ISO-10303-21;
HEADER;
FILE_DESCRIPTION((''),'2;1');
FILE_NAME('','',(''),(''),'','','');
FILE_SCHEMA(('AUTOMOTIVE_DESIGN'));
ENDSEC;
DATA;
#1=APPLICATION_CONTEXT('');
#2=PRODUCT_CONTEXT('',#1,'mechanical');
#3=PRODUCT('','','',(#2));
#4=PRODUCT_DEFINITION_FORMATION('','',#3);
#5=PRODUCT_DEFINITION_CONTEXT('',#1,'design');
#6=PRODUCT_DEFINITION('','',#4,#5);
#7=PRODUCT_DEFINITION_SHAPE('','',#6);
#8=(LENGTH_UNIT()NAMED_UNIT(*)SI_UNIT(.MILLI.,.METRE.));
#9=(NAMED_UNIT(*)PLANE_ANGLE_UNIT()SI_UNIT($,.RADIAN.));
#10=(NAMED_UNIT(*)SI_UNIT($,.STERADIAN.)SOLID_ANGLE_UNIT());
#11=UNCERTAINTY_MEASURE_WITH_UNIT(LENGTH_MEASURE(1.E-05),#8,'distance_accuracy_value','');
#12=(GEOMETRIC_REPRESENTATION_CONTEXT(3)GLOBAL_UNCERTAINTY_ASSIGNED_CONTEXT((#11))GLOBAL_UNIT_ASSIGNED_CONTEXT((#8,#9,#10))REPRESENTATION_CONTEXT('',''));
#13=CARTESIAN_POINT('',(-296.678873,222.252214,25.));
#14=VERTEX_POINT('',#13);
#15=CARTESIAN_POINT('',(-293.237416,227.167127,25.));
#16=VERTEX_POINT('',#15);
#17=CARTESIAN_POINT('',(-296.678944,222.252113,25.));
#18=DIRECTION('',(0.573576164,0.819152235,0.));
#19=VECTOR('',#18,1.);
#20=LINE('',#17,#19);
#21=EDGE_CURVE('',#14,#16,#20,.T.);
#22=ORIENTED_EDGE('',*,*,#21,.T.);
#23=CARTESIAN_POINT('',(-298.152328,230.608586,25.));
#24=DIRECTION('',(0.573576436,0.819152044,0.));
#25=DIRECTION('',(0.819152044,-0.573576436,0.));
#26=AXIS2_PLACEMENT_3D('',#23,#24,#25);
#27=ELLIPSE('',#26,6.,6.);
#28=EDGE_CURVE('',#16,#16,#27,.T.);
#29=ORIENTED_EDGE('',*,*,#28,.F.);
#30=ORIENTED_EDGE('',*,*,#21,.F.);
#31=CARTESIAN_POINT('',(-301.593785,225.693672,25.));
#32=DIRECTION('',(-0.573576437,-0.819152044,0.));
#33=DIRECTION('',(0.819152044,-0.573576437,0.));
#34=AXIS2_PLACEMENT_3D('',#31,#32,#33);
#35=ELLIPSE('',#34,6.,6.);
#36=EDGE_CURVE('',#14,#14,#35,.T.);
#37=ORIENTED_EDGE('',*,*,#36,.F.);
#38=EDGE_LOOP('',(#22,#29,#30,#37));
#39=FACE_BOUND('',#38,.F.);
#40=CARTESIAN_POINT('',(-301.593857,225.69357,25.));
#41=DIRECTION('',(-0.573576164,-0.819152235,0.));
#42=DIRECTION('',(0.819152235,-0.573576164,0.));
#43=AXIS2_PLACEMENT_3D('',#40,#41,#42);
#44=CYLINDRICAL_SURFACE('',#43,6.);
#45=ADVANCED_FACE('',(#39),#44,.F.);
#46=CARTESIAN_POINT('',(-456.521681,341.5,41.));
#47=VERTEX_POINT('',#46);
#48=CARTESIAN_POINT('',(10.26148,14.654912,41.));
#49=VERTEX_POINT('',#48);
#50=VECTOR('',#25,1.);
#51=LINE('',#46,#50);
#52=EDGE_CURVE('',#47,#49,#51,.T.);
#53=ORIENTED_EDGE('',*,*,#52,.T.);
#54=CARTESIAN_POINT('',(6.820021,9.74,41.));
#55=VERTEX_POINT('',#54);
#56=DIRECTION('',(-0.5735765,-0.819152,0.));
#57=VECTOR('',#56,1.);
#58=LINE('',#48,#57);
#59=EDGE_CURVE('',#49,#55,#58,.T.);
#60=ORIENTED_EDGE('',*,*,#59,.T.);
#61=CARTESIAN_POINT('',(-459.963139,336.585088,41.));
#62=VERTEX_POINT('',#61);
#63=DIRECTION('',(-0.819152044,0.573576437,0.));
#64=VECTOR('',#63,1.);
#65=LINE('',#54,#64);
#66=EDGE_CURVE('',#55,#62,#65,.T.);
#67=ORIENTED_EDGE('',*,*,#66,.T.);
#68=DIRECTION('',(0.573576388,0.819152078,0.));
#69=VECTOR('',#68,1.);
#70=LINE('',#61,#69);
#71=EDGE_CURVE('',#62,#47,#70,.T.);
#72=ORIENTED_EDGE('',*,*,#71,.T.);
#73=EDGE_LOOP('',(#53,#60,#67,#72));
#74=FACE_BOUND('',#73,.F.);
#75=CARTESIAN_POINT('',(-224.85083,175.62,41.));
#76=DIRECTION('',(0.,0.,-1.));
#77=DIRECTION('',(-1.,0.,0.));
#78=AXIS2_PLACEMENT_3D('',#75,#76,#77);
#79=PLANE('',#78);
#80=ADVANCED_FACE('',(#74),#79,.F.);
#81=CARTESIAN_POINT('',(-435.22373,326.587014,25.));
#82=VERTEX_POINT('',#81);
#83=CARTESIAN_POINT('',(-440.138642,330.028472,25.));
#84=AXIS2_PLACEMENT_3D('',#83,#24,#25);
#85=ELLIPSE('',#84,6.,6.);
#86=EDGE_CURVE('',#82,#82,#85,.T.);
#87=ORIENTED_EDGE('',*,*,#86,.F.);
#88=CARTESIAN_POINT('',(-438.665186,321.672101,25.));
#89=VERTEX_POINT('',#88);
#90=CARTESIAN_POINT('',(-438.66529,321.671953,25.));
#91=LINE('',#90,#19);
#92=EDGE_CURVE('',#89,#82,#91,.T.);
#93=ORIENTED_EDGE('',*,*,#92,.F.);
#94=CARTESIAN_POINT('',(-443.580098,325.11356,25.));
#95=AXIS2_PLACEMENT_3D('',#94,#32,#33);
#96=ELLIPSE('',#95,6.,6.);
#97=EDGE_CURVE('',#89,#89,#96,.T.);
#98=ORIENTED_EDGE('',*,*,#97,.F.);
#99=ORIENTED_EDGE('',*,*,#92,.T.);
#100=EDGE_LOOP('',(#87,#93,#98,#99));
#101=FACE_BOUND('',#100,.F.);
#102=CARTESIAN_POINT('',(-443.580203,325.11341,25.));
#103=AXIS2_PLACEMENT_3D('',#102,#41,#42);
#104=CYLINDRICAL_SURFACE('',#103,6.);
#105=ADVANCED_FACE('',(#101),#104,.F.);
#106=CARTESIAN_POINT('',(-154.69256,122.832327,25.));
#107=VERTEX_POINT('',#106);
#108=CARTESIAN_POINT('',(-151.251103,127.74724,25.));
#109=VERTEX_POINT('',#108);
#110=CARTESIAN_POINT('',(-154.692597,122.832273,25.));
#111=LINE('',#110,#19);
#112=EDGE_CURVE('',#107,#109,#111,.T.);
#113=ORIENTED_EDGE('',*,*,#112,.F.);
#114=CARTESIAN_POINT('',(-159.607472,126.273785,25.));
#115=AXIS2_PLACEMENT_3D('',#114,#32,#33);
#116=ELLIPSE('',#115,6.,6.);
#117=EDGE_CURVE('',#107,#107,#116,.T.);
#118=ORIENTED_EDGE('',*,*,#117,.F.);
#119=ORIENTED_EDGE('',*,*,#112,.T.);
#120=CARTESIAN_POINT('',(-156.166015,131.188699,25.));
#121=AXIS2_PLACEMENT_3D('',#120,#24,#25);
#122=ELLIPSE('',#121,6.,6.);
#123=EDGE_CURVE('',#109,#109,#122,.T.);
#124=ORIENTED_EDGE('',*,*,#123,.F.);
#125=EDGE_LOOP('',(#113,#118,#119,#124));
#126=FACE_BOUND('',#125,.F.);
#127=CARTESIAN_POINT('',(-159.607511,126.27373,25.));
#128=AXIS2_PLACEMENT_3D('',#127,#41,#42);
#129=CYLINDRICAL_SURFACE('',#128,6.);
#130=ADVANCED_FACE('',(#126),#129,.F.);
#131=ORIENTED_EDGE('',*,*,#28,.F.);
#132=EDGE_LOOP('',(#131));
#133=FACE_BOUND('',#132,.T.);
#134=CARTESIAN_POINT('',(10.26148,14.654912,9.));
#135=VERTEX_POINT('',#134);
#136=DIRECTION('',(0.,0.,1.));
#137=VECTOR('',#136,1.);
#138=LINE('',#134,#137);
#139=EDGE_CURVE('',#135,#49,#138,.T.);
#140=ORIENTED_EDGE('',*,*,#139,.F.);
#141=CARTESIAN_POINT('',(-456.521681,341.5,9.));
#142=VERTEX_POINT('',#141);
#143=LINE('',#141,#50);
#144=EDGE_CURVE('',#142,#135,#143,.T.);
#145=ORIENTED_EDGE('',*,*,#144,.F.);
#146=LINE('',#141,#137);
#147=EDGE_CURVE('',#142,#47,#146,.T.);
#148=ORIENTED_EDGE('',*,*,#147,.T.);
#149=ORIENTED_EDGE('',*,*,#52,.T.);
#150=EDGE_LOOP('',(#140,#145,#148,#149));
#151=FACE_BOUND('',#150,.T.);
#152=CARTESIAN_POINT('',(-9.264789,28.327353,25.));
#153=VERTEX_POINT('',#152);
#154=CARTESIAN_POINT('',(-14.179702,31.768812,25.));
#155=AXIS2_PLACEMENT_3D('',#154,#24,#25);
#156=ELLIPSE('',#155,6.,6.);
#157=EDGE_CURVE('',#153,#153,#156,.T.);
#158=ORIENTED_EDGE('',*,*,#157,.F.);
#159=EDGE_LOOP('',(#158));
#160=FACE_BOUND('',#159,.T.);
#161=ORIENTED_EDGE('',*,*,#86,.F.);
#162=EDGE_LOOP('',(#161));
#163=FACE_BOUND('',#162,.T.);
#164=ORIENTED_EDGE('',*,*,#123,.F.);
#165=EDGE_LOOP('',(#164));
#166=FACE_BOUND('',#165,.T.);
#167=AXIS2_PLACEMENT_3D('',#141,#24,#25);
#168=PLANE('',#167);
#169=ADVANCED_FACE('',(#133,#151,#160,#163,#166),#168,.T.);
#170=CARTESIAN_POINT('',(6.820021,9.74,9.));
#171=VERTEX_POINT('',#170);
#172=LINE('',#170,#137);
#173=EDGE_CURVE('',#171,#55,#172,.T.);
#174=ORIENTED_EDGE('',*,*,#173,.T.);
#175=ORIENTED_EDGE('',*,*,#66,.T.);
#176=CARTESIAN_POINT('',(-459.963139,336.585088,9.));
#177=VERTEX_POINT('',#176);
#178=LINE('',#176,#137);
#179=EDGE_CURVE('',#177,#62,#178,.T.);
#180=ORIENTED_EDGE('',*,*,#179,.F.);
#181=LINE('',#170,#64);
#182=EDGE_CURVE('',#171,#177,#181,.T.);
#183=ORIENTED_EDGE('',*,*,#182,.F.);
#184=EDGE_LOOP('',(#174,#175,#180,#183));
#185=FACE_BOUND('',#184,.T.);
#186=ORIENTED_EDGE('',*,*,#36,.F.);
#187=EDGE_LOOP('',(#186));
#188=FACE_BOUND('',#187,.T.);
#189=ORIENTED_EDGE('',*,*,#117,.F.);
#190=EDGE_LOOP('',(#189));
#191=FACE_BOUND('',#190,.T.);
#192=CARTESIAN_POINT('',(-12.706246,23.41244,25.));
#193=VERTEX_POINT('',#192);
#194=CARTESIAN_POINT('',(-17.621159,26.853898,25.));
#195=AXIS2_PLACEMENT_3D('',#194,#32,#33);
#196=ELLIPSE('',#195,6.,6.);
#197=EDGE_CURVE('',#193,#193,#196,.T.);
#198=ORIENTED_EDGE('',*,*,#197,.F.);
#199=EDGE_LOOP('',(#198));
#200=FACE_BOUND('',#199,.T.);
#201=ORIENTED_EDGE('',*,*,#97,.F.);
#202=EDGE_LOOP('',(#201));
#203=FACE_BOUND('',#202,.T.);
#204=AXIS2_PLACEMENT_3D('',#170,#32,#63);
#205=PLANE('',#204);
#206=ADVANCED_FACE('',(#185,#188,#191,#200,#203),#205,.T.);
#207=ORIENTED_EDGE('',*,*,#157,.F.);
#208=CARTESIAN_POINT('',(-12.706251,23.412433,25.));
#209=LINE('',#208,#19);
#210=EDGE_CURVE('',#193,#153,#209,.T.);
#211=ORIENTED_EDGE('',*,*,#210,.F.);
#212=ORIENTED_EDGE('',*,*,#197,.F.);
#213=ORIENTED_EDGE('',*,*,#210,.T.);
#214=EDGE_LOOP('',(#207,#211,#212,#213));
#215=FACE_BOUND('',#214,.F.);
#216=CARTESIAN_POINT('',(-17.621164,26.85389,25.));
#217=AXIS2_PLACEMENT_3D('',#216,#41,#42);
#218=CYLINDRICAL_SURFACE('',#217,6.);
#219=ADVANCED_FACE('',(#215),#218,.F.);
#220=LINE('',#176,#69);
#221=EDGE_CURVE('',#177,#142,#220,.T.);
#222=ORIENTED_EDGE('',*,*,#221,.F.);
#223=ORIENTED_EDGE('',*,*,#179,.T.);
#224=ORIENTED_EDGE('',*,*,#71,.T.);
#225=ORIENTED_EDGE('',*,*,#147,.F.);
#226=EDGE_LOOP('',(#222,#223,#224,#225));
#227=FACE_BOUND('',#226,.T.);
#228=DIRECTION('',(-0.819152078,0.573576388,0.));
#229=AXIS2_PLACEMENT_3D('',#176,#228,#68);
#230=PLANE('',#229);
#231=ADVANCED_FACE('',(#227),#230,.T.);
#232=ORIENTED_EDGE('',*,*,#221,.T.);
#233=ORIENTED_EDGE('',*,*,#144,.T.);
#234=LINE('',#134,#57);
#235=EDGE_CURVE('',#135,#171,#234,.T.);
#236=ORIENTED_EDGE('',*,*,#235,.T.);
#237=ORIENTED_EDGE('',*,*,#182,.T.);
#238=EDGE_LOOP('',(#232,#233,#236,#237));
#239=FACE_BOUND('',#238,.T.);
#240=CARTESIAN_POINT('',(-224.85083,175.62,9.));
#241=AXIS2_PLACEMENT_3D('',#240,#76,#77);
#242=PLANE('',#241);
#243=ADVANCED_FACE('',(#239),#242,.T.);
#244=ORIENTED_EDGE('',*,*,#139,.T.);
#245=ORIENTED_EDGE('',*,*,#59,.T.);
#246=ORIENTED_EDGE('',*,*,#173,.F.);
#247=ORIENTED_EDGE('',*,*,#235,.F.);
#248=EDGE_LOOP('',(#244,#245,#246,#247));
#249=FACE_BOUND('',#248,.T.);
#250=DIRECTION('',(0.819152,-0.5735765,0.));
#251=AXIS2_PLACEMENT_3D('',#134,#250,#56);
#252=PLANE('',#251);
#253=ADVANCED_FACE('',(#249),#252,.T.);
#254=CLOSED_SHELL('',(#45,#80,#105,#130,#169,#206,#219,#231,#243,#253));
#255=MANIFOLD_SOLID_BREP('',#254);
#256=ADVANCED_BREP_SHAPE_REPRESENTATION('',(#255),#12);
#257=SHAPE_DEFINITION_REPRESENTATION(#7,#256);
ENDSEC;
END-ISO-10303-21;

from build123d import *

# Parameters (mm, degrees)
PAD006_DEPTH           = 32
SKETCH014_R            = 6
POCKET004_DEPTH        = 273.736822
LINEARPATTERN002_COUNT = 4
LINEARPATTERN002_PITCH = 173.333333


with BuildPart() as part:
    # Sketch013 → Pad006 (new body)
    with BuildSketch(Plane.XY):
        Polygon((-456.521681, 341.5), (10.26148, 14.654912), (6.820021, 9.74), (-459.963139, 336.585088), align=None)
    extrude(amount=PAD006_DEPTH)

    # Sketch014 (on Face3 of Pad006) → Pocket004 (cut, through all)
    with BuildSketch(Plane(origin=(6.820021, 9.74, 0), x_dir=(0.819152, -0.573576, 0), z_dir=(-0.573576, -0.819152, 0))):
        with Locations((-549.837021, 16)):
            Circle(SKETCH014_R)
    pocket004 = extrude(amount=-POCKET004_DEPTH, mode=Mode.SUBTRACT)

    # LinearPattern002: Pocket004 ×4
    with Locations(*[Vector(0.819152, -0.573576, 0) * (i * LINEARPATTERN002_PITCH) for i in range(1, LINEARPATTERN002_COUNT)]):
        add(pocket004, mode=Mode.SUBTRACT)


with BuildPart() as part_1:
    # Body005 placement: moved
    add(part.part.moved(Location((0, 0, 9))))


solid = part_1.part
